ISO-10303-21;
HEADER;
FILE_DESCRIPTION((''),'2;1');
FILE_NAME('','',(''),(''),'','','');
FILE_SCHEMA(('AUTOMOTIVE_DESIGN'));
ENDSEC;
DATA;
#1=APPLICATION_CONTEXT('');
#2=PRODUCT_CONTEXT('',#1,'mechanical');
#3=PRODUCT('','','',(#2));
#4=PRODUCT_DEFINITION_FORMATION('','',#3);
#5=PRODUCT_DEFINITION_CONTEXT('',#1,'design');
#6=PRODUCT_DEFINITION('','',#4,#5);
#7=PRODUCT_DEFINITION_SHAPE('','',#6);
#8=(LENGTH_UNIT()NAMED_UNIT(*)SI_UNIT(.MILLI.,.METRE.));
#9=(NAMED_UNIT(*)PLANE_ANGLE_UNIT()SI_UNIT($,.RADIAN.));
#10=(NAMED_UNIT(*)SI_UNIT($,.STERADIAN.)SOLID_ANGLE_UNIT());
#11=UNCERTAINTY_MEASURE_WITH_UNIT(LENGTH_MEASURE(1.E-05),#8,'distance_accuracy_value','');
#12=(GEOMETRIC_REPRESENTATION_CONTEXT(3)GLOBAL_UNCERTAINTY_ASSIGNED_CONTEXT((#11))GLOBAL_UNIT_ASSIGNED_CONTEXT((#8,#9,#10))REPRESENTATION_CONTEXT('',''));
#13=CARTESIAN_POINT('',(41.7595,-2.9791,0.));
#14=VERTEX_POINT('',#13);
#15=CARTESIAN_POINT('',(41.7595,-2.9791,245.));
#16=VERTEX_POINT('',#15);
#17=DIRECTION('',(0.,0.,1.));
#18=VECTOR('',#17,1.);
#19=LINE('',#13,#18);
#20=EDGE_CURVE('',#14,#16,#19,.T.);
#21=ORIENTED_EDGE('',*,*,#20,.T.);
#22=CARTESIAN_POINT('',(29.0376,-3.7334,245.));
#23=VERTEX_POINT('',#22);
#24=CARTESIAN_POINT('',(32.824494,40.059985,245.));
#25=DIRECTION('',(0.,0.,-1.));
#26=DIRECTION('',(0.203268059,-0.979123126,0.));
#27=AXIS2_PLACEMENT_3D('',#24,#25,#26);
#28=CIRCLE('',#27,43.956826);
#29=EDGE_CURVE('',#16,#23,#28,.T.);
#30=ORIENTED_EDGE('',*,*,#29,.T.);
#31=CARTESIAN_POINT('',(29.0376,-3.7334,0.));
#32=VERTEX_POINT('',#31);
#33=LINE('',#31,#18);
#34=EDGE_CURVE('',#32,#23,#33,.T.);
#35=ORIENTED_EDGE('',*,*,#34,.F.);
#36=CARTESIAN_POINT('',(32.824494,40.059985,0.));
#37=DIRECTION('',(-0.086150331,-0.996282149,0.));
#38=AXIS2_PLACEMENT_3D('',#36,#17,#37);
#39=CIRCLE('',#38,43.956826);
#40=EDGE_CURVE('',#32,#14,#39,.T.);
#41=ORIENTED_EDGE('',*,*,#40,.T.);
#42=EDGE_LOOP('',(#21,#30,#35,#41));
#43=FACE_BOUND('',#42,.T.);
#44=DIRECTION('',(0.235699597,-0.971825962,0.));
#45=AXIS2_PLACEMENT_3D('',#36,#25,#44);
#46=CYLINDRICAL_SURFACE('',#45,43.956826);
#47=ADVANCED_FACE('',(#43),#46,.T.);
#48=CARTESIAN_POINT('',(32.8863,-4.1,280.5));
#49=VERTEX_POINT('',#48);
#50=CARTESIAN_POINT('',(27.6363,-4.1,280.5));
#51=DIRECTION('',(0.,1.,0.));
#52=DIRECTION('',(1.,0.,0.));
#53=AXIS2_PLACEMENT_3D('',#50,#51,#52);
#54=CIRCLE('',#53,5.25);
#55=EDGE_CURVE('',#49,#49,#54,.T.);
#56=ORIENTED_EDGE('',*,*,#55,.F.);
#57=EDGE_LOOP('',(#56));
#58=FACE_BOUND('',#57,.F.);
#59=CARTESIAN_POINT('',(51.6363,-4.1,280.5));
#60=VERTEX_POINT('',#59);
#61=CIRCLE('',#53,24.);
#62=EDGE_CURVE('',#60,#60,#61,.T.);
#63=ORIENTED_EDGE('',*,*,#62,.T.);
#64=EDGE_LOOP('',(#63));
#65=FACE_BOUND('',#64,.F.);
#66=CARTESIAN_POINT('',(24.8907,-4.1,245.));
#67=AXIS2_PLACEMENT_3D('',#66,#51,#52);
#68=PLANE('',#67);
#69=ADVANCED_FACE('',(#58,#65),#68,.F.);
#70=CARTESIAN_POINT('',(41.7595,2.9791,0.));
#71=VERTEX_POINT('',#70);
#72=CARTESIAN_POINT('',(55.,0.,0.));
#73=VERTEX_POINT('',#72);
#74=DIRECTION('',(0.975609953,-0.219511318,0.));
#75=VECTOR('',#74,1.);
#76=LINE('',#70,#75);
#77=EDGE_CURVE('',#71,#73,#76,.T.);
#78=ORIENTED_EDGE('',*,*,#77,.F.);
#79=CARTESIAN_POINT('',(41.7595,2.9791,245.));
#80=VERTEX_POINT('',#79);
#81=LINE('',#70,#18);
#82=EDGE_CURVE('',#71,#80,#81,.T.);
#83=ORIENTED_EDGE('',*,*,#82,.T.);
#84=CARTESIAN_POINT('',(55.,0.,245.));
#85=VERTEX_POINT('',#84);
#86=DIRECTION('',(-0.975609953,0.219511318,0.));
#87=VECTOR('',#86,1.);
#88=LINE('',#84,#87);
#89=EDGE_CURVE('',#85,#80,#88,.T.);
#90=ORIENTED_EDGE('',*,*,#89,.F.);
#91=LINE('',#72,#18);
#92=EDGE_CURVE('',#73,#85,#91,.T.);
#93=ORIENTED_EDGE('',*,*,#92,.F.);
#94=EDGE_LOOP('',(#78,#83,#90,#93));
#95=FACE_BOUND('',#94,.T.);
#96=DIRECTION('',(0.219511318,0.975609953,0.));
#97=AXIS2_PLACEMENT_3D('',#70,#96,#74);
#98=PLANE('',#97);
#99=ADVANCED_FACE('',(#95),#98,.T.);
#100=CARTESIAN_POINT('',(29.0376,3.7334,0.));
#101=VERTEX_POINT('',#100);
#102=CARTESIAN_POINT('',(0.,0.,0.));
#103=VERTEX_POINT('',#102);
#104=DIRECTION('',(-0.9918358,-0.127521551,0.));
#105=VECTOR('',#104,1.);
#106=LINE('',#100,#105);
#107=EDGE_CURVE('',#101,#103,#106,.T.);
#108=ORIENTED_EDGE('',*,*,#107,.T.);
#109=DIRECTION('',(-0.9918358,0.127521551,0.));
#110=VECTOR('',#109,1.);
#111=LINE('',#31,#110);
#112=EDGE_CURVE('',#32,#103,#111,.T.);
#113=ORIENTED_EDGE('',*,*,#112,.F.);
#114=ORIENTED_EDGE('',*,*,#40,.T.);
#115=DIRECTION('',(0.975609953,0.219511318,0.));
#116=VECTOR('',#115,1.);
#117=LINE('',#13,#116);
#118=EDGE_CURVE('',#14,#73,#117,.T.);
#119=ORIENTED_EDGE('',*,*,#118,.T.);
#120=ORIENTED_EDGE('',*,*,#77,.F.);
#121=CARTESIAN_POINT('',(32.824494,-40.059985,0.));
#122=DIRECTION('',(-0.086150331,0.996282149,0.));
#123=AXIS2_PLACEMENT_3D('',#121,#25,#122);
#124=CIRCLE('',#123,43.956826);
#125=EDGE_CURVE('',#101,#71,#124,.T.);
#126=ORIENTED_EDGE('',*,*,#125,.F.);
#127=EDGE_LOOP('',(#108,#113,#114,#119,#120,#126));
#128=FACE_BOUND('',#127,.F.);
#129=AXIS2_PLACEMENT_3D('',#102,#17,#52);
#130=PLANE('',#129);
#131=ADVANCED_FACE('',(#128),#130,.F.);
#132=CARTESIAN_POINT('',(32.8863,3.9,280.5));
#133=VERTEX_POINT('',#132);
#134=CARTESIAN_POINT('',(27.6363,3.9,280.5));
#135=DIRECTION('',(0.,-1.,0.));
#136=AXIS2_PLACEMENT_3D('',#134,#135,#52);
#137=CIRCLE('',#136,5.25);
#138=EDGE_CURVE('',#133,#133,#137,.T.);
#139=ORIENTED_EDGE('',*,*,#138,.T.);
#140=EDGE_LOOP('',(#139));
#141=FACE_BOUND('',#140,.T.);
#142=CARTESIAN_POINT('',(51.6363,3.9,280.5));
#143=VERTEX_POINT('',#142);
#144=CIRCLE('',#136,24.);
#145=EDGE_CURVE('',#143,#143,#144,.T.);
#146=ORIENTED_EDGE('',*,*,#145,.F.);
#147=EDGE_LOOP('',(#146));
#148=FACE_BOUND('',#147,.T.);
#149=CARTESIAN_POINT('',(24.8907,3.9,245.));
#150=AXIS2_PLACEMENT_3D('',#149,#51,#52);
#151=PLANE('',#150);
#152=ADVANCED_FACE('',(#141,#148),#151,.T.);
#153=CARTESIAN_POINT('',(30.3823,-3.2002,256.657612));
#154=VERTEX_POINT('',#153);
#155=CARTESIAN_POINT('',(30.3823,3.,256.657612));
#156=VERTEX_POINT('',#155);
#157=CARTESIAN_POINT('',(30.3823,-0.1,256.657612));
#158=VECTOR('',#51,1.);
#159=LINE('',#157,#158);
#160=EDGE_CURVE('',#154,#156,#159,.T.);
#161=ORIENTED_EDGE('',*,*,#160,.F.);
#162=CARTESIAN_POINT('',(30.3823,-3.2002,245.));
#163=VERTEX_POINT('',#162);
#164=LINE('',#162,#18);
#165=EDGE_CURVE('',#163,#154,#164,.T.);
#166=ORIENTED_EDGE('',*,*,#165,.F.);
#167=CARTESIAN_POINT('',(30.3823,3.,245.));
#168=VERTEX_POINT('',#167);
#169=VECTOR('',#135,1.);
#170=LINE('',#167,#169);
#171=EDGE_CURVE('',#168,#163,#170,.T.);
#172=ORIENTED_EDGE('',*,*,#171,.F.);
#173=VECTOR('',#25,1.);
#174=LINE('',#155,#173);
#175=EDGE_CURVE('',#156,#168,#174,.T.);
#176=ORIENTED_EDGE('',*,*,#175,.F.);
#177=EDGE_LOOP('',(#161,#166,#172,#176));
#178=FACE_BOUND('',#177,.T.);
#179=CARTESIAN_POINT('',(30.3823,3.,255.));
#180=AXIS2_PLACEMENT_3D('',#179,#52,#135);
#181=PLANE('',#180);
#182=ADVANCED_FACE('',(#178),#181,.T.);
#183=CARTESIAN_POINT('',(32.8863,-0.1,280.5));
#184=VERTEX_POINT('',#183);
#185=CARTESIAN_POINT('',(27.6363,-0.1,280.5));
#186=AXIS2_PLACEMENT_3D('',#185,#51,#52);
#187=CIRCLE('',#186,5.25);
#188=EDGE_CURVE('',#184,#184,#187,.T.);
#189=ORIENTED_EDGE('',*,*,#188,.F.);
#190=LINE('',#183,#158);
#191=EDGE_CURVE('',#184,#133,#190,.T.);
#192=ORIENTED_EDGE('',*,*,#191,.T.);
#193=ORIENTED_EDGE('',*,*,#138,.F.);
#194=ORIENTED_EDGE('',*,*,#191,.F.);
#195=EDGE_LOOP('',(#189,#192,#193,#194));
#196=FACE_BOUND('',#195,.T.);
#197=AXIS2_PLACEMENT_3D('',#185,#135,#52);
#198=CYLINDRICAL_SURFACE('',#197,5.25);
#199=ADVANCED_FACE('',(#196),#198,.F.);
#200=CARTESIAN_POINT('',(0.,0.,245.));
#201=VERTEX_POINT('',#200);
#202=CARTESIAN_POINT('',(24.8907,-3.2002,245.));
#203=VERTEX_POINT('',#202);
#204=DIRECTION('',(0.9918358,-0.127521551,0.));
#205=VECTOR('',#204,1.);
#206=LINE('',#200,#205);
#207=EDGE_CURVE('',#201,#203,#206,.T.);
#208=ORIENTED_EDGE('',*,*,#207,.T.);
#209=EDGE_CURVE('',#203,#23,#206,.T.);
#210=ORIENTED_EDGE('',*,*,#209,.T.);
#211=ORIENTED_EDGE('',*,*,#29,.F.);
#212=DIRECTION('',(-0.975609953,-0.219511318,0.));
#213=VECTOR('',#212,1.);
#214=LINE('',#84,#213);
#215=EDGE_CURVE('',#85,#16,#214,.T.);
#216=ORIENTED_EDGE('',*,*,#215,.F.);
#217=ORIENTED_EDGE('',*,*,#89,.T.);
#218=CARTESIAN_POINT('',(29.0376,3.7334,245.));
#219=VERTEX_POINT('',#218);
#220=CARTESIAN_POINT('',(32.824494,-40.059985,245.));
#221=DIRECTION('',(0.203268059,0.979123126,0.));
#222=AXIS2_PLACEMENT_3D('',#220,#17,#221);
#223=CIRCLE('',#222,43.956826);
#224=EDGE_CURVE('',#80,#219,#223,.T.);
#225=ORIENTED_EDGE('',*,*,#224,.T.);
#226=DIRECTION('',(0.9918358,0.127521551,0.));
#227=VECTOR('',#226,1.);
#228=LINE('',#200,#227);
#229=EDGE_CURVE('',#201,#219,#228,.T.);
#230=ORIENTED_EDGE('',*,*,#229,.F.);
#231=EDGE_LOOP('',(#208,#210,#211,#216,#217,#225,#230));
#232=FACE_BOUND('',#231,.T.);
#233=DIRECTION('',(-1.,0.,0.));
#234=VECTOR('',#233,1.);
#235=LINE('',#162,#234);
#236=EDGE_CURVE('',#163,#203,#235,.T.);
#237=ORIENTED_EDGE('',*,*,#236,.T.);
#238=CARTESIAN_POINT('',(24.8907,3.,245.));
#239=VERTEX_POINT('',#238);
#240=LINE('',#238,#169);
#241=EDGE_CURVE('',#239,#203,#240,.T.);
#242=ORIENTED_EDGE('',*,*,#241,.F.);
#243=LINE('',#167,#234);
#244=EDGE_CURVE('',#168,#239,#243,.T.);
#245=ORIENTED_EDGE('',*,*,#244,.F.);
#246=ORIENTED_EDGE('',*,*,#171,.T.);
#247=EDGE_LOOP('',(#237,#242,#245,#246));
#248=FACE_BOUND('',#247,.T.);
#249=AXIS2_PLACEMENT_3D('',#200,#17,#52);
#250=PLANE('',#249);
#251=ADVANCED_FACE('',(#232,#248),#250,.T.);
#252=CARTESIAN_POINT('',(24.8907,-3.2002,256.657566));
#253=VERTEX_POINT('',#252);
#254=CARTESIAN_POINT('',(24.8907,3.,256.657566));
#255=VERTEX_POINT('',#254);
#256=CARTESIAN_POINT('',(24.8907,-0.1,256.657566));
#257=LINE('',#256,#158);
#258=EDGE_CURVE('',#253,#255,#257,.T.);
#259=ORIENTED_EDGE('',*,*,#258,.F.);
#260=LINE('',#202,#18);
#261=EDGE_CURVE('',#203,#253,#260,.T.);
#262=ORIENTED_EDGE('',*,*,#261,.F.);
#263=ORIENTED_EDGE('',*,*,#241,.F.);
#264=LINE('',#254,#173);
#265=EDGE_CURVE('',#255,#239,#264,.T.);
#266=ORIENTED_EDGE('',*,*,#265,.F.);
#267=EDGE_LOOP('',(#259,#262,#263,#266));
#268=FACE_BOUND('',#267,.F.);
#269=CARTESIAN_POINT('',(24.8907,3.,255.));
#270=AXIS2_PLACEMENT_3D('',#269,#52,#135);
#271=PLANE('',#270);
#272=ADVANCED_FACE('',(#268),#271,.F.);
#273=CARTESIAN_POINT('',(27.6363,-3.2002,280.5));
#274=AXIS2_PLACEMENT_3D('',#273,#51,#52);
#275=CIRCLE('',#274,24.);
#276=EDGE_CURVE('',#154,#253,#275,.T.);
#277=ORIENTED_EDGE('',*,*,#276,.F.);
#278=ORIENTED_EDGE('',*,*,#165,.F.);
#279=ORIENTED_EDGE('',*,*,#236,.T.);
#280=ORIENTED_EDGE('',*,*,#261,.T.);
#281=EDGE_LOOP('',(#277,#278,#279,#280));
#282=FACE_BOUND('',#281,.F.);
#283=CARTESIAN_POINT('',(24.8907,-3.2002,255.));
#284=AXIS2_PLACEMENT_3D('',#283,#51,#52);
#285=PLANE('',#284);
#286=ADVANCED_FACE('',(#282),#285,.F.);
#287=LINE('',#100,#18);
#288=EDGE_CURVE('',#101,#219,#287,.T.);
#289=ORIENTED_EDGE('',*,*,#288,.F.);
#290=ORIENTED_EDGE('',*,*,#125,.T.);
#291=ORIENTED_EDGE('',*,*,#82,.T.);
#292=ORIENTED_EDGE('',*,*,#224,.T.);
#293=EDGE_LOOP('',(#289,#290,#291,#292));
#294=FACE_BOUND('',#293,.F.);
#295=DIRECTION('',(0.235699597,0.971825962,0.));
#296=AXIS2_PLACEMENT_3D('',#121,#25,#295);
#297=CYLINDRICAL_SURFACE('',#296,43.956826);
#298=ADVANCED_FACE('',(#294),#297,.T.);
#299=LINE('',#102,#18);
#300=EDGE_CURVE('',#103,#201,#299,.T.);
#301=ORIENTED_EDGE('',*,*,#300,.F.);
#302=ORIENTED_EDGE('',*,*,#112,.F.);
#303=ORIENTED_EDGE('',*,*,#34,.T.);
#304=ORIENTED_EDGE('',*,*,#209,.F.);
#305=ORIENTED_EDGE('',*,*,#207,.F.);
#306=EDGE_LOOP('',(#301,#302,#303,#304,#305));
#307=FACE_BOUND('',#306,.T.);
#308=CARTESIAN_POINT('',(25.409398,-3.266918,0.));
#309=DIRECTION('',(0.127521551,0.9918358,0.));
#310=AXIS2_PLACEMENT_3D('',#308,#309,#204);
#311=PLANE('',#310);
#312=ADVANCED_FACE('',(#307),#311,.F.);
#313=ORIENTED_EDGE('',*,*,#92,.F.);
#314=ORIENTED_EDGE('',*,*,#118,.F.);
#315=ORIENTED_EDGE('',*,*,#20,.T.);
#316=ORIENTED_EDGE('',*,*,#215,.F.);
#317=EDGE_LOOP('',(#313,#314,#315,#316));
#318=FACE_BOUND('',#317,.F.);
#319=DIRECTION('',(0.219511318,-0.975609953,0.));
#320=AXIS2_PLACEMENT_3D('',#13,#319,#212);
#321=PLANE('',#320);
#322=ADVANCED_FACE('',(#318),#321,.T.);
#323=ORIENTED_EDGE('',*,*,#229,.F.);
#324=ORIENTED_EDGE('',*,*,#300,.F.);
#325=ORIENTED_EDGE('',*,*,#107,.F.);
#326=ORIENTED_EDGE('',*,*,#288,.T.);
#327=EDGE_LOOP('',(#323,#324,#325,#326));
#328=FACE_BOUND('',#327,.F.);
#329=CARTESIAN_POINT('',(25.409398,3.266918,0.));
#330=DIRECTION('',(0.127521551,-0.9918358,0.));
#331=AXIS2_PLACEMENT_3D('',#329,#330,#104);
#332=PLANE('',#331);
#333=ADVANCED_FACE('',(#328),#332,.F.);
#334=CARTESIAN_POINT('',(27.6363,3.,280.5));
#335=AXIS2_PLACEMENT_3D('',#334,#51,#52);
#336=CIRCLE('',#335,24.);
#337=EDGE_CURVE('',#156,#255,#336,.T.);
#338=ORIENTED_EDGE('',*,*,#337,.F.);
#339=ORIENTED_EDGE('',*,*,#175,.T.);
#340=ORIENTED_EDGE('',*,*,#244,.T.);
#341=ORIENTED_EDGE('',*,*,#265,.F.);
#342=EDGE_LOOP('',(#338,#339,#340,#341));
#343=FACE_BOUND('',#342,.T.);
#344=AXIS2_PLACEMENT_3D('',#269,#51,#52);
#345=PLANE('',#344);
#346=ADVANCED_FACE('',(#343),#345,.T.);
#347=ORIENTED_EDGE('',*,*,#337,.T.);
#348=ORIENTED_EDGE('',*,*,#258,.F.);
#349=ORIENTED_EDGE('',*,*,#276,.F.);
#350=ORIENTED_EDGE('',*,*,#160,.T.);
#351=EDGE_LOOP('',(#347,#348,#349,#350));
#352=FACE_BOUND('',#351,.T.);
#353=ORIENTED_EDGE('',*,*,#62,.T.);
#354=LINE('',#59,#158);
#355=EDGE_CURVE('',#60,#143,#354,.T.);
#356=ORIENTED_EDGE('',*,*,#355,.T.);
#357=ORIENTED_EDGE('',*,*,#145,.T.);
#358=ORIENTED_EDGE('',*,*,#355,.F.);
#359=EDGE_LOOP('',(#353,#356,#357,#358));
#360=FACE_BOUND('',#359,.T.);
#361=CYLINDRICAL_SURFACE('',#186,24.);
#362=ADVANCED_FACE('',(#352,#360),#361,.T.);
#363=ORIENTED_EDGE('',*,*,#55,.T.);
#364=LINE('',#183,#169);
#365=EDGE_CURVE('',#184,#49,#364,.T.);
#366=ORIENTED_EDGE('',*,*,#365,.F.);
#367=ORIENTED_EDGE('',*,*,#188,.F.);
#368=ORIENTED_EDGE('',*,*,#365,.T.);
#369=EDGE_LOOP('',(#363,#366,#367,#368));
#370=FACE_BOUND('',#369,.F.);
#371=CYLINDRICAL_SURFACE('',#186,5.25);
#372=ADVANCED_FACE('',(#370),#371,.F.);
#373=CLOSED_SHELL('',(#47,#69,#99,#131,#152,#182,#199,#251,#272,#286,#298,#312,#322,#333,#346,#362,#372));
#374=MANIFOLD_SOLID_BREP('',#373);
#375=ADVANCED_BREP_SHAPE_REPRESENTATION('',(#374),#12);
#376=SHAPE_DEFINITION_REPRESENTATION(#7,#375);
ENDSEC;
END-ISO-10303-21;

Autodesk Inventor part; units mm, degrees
ref_plane "YZ Plane" through (0, 0, 0) normal (1, 0, 0) x (0, 1, 0)
ref_plane "XZ Plane" through (0, 0, 0) normal (0, 1, 0) x (-1, 0, 0)
ref_plane "XY Plane" through (0, 0, 0) normal (0, 0, 1) x (1, 0, 0)
sketch "Sketch1" plane through (0, 0, 0) normal (0, 0, 1) x (1, 0, 0)
  line L0 (0, 0) -> (55, 0)
  line L1 (0, 0) -> (35, 0)
  line L2 (35, 3.8429) -> (35, 4.5)
  line L3 (29.0376, 3.7334) -> (0, 0)
  line L4 (41.7595, 2.9791) -> (55, 0)
  arc A0 (43.1851, 2.6584) -> (25.4094, 3.2669) centre (32.8243, -40.0614) ccw
  line L5 (-5.4039, 0) -> (70.1536, 0)
  line L6 (0, 0) -> (27.5, 0)
  line L7 (25.4094, 0) -> (29.1094, 0)
  line L8 (29.1094, 0) -> (29.1094, 2.5)
  line L9 (29.1094, 2.5) -> (25.4094, 2.5)
  line L10 (25.4094, 2.5) -> (25.4094, 0)
  dimension "d0" = 55
  dimension "d1" = 35
  dimension "d2" = 4.5
  dimension "d5" = 27.5
  dimension "d6" = 3.7
  dimension "d7" = 2.5
extrude "Extrusion1" add sketch "Sketch1" along normal blind 245 contours L3 A0 L4 L0 L8 L9 L10 | L10 L9 L8 L0
mirror "Mirror1" about plane through (0, 0, 0) normal (0, 1, 0) of "Extrusion1"
sketch "Sketch2" plane through (0, 0, 245) normal (0, 0, 1) x (1, 0, 0)
  line L0 (29.0376, 3.7334) -> (0, 0) projected
  line L1 (0, 0) -> (27.5, 0)
  line L2 (27.5, 0) -> (27.5, 3)
  line L3 (27.5, 3) -> (24.8907, 3)
  line L4 (24.8907, 3) -> (24.8907, -3.2002)
  line L5 (29.0376, -3.7334) -> (0, 0) projected
  line L6 (24.8907, 3) -> (30.3823, 3)
  line L7 (30.3823, 3) -> (30.3823, -3.2002)
  line L8 (30.3823, -3.2002) -> (24.8907, -3.2002)
  line L9 (24.8907, -3.2002) -> (24.8907, 3)
  dimension "d8" = 27.5
  dimension "d9" = 3
extrude "Extrusion2" add sketch "Sketch2" along normal blind 10 contours L4 L3 L2 L1 | L1 L2 L6 L7 L8 L4
ref_plane "Work Plane1" through (24.8907, -0.1, 245) normal (0, 1, 0) x (1, 0, 0)
sketch "Sketch3" plane through (24.8907, -0.1, 245) normal (0, 1, 0) x (1, 0, 0)
  line L0 (5.4916, -10) -> (-0.0004, -10)
  line L1 (-0.0004, -10) -> (-0.0004, -35.5)
  line L2 (-0.0004, -35.5) -> (5.4916, -35.5)
  line L3 (5.4916, -35.5) -> (5.4916, -10)
  circle A0 centre (2.7456, -35.5) radius 24
  circle A1 centre (2.7456, -35.5) radius 5.25
  point P0 (-24.8907, 245)
  dimension "d13" = 5.492
  dimension "d14" = 25.5
  dimension "d15" = 48
  dimension "d16" = 10.5
extrude "Extrusion3" add sketch "Sketch3" along normal blind 4 and the other way blind 4 contours A0 L1 A1 L3 | L3 A1 L1 A0
sketch "Sketch4" plane through (0, 0, 255) normal (0, 0, 1) x (1, 0, 0)
  line L0 (24.8907, -3.2002) -> (30.3823, -3.2002) projected
  line L1 (24.8907, 3) -> (24.8907, -3.2002) projected
  line L2 (30.3823, -3.2002) -> (24.8907, -3.2002)
  line L3 (24.8907, -3.2002) -> (24.8907, 3)
  line L4 (24.8907, 3) -> (30.3823, 3)
  line L5 (30.3823, 3) -> (30.3823, -3.2002)
  point P0 (0, 0)
extrude "Extrusion4" add sketch "Sketch4" along normal blind 15
properties part number "Ruder"
